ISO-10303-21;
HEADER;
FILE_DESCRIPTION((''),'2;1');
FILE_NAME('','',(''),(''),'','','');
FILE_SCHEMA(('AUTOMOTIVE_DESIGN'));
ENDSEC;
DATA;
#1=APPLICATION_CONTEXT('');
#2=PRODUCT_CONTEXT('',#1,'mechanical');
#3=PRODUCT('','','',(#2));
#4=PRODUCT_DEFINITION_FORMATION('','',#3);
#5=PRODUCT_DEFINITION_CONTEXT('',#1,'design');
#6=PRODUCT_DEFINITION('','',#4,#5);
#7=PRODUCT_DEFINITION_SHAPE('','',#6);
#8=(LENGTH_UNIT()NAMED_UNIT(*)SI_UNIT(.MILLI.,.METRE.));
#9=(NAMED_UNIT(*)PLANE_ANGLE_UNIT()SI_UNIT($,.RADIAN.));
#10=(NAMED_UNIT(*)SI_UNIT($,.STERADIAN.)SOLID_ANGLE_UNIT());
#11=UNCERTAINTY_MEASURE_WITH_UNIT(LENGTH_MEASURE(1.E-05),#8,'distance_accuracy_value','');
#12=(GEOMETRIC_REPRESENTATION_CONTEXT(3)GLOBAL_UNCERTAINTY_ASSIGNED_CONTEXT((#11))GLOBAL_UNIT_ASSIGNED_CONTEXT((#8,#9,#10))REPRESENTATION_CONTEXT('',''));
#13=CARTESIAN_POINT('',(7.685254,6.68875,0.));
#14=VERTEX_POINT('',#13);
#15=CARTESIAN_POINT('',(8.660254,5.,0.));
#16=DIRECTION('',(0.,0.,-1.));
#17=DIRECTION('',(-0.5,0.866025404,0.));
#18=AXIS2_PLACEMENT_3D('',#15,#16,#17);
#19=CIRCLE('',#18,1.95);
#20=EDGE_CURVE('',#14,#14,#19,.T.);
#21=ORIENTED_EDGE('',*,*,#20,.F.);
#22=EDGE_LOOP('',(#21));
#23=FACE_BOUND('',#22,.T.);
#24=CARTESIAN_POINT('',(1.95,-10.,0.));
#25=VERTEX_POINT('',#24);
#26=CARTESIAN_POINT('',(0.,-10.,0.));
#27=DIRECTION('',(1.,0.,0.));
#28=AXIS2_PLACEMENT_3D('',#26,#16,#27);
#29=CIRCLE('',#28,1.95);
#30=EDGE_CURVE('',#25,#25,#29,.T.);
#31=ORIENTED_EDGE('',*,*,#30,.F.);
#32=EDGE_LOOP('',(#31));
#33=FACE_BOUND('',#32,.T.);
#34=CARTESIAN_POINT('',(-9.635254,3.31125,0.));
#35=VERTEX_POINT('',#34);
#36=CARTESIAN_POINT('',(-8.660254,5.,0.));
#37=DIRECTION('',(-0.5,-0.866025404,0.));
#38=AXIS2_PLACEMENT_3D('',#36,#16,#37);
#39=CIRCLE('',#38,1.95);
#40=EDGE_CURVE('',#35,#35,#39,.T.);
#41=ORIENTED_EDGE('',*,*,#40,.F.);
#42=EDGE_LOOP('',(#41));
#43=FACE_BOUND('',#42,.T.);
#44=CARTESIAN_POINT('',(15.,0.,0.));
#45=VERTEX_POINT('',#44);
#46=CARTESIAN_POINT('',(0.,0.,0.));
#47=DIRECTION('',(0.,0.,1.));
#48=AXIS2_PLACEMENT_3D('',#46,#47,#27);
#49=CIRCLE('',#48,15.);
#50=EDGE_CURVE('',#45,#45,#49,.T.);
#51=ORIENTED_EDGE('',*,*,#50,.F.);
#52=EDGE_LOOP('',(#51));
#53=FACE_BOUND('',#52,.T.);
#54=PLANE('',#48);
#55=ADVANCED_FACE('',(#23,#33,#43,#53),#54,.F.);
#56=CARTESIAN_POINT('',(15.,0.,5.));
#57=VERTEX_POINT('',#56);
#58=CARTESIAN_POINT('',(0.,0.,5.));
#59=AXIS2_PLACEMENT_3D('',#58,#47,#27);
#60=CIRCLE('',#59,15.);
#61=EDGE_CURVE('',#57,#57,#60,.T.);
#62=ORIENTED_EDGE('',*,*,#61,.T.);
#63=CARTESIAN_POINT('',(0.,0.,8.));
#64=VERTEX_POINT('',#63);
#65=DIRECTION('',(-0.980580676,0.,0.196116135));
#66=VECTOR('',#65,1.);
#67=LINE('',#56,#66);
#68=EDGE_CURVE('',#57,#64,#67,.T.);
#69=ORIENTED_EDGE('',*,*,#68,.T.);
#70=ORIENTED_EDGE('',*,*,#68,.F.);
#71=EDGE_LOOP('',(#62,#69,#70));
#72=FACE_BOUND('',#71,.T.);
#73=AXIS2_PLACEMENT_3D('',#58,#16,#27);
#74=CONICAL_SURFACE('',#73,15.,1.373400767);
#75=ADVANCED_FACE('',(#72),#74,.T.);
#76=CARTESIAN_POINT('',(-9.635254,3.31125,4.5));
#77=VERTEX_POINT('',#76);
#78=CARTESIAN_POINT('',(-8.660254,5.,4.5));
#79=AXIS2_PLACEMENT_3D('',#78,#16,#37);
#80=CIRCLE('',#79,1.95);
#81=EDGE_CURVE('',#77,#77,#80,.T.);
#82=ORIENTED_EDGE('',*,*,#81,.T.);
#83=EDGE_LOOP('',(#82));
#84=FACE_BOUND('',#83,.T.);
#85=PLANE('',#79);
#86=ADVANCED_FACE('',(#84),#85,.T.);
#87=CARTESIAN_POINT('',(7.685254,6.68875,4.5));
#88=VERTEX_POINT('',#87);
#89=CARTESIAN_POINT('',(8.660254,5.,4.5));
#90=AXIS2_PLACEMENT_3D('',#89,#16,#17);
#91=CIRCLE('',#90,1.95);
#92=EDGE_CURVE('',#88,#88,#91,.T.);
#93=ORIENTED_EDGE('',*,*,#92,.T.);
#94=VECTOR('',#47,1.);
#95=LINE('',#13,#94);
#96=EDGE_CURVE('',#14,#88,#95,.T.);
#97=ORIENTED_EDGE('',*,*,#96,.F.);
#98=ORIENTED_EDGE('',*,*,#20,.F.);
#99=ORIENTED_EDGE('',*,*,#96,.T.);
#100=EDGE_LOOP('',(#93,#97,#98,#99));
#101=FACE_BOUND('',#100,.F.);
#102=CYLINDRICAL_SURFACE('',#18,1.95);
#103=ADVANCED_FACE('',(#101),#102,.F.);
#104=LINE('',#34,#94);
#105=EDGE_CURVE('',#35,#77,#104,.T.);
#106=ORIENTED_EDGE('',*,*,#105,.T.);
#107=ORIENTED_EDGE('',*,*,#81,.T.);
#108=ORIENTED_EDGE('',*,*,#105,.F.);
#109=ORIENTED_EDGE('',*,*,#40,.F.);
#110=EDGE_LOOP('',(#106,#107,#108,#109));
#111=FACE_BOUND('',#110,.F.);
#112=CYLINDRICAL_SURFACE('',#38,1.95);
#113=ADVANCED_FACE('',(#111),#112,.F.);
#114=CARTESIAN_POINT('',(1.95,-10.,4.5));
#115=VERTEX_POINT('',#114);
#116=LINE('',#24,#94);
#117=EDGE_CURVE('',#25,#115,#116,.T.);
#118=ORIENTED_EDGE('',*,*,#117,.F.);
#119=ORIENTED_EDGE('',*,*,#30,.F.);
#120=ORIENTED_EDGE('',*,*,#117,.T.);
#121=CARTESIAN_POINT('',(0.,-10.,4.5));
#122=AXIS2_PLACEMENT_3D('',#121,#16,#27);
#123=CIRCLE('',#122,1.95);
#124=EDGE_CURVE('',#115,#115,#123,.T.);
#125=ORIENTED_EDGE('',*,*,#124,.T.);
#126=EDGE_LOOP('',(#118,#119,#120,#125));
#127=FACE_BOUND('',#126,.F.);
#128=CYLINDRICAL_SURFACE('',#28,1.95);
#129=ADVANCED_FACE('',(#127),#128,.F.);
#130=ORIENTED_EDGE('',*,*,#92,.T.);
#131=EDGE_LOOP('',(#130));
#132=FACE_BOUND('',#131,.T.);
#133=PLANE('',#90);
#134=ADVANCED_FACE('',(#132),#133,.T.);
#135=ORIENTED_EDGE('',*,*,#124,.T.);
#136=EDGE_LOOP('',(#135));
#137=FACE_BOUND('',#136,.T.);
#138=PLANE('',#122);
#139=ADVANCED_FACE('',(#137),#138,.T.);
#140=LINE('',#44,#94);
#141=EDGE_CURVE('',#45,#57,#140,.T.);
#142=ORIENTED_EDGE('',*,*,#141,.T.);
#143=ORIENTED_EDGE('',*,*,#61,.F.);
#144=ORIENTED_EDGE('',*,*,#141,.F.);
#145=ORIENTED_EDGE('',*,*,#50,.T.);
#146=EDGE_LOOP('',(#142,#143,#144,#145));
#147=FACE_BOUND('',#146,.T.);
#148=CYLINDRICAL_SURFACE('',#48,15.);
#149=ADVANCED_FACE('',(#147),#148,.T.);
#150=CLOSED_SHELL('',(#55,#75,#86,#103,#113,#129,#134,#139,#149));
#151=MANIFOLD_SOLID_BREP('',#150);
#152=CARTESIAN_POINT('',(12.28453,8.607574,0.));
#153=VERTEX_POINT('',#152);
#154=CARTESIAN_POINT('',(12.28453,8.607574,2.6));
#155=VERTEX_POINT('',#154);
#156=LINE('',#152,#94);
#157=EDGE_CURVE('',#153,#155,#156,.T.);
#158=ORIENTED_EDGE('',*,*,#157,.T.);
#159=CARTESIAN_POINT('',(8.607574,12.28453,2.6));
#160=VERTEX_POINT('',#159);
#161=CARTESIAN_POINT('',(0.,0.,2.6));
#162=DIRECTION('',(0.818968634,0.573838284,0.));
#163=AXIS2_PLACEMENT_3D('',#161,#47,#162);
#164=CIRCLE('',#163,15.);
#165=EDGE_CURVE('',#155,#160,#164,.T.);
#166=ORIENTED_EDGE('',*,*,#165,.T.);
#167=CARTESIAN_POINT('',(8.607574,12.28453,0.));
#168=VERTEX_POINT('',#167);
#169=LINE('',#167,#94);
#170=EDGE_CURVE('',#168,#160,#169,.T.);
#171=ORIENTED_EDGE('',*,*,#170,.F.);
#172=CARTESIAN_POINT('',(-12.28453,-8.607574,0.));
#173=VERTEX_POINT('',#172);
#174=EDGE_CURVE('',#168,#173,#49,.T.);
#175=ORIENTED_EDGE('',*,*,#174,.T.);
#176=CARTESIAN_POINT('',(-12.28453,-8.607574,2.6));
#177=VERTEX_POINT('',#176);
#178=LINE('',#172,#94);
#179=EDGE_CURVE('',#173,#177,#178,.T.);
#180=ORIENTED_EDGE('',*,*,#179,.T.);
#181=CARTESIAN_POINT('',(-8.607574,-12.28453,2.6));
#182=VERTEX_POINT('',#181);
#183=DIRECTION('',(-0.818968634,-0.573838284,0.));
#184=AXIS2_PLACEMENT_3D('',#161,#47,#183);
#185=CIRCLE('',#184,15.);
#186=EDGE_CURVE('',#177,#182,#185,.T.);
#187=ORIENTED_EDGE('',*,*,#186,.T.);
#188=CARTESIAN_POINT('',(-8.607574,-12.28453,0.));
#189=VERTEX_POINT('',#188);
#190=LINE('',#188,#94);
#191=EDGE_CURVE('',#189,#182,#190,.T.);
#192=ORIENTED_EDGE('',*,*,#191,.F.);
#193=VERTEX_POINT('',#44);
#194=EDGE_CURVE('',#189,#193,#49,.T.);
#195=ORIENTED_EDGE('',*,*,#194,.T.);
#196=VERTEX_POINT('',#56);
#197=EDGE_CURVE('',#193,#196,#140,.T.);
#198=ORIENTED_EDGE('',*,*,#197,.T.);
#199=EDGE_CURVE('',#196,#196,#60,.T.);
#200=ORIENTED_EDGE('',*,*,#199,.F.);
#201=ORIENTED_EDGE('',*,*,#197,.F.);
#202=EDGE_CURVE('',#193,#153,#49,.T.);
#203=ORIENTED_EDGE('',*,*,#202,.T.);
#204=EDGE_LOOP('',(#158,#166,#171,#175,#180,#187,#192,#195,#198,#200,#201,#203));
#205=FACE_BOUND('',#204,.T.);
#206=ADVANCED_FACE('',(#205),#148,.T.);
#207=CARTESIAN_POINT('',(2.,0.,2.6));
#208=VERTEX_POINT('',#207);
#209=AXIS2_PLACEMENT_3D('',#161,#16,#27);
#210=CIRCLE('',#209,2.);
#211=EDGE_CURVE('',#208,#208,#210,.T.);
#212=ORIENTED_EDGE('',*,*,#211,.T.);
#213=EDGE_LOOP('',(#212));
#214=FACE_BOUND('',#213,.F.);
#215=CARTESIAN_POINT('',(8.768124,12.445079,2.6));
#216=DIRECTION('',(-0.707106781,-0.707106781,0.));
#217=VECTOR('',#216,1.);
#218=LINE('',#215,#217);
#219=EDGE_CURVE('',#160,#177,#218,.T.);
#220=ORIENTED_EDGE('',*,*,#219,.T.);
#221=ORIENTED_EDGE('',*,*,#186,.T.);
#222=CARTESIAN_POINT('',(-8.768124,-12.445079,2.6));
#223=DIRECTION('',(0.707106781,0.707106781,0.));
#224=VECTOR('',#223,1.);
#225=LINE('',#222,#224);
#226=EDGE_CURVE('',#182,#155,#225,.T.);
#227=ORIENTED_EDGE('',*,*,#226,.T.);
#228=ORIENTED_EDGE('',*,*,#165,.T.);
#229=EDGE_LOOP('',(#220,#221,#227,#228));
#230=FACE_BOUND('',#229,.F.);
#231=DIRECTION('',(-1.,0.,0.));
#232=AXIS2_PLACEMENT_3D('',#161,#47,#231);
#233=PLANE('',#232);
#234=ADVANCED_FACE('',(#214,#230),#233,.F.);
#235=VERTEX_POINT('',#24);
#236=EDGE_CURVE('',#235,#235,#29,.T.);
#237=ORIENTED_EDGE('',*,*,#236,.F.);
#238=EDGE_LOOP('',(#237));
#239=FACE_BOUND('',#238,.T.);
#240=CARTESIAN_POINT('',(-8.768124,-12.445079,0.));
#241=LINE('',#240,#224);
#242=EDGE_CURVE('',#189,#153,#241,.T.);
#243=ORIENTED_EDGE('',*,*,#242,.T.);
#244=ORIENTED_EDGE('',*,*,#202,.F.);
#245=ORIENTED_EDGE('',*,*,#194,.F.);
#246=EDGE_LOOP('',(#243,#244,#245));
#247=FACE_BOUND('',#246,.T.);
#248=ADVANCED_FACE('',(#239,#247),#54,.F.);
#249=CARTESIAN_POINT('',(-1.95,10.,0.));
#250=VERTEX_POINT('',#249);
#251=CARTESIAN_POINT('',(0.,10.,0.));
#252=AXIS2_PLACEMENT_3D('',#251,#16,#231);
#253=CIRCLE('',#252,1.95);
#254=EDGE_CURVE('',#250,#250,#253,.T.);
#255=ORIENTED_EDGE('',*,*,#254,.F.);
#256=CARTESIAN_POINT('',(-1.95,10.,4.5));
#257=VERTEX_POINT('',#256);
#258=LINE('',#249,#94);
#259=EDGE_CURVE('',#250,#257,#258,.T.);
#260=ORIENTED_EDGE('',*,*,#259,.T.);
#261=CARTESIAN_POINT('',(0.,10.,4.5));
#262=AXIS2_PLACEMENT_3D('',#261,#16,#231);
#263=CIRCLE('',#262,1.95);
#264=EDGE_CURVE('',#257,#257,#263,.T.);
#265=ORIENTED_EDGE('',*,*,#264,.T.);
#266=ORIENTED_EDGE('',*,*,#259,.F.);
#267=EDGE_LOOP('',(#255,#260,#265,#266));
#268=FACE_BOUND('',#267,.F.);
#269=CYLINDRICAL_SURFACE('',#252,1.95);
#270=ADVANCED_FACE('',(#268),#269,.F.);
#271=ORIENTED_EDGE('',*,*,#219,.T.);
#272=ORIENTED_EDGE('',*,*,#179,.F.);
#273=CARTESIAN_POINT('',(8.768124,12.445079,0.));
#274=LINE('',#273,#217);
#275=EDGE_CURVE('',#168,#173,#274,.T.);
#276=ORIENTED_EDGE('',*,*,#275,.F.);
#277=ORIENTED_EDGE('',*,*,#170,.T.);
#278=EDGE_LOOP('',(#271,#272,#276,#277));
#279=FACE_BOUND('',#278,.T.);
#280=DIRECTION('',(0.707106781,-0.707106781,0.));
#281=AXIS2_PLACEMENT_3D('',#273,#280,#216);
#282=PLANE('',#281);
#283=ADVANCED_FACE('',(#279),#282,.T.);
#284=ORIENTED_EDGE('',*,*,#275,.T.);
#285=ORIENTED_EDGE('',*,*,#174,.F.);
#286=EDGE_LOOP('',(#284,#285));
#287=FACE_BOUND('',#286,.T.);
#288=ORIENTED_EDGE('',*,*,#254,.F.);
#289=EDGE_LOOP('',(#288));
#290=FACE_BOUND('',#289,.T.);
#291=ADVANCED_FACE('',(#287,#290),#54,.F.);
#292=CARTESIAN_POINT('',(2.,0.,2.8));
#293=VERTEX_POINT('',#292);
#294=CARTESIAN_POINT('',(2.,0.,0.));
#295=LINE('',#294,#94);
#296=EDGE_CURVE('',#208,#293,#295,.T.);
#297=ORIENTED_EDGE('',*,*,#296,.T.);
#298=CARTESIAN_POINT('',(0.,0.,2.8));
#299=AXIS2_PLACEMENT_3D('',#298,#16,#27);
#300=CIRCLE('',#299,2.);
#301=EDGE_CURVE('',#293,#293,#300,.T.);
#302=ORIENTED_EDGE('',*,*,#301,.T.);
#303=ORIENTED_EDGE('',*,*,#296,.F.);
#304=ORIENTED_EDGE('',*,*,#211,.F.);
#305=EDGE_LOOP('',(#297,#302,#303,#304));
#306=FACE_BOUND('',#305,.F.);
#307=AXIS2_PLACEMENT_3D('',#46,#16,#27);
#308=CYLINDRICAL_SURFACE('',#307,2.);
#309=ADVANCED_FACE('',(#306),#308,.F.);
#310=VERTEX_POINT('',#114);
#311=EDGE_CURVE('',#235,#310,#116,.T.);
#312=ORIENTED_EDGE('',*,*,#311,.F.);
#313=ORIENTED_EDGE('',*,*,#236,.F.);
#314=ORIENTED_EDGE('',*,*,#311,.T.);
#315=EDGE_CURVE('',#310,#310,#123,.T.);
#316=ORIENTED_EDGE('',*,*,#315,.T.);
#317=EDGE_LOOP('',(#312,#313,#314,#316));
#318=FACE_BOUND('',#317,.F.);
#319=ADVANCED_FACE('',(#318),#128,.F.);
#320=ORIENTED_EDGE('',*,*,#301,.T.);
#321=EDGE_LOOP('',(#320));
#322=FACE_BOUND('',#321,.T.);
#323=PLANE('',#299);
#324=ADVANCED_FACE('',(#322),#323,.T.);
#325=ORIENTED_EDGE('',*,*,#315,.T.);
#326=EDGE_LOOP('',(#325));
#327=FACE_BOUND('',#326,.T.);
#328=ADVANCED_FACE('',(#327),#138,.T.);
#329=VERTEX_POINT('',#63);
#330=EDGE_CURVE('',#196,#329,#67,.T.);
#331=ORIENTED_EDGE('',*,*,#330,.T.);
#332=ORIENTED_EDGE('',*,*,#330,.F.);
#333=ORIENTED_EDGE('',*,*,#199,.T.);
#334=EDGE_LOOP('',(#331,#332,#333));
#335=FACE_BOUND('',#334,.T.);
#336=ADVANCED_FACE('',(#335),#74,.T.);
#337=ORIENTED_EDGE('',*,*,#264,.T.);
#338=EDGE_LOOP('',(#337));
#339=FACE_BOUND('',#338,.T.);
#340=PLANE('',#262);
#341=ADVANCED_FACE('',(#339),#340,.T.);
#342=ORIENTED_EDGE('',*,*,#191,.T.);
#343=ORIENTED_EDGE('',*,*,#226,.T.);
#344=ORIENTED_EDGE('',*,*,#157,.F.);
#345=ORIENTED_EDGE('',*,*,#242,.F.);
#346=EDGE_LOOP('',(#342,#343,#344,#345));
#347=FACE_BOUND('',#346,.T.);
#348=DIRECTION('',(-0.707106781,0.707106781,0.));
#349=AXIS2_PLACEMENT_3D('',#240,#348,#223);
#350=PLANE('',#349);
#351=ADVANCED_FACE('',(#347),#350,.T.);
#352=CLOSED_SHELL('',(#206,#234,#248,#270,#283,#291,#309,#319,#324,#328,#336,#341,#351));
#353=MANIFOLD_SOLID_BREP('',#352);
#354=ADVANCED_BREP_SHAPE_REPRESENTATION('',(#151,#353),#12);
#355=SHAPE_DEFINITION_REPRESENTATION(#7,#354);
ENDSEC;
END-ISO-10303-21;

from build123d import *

# Parameters (mm, degrees)
SKETCH001_R           = 1.95
POCKET_DEPTH          = 4.5
POLARPATTERN_COUNT    = 3
POLARPATTERN001_COUNT = 2
SKETCH002_R           = 2
POCKET001_DEPTH       = 2.8
POCKET002_DEPTH       = 2.6


with BuildPart() as pocket_body:
    # Sketch → Revolution (revolve)
    with BuildSketch(Plane.XZ):
        Polygon((0, 0), (15, 0), (15, 5), (0, 8), align=None)
    revolve(axis=Axis((0, 0, 0), (0, 0, 1)))

    # Sketch001 → Pocket (cut)
    with BuildSketch(Plane(origin=(0, 0, 0), x_dir=(1, 0, 0), z_dir=(0, 0, -1))):
        with Locations((0, 10)):
            Circle(SKETCH001_R)
    pocket = extrude(amount=-POCKET_DEPTH, mode=Mode.SUBTRACT)


with BuildPart() as polarpattern:
    # PolarPattern base: copy of Pocket body
    add(pocket_body.part)

    # PolarPattern: Pocket ×3 about axis
    polarpattern_axis = Axis((0, 0, 0), (0, 0, -1))
    for i in range(1, POLARPATTERN_COUNT):
        add(pocket.rotate(polarpattern_axis, i * 360 / POLARPATTERN_COUNT), mode=Mode.SUBTRACT)


with BuildPart() as pocket002:
    # PolarPattern001 base: copy of Pocket body
    add(pocket_body.part)

    # PolarPattern001: Pocket ×2 about axis
    polarpattern001_axis = Axis((0, 0, 0), (0, 0, -1))
    for i in range(1, POLARPATTERN001_COUNT):
        add(pocket.rotate(polarpattern001_axis, i * 360 / POLARPATTERN001_COUNT), mode=Mode.SUBTRACT)

    # Sketch002 → Pocket001 (cut)
    with BuildSketch(Plane(origin=(0, 0, 0), x_dir=(1, 0, 0), z_dir=(0, 0, -1))):
        Circle(SKETCH002_R)
    extrude(amount=-POCKET001_DEPTH, mode=Mode.SUBTRACT)

    # Sketch003 → Pocket002 (cut)
    with BuildSketch(Plane(origin=(0, 0, 0), x_dir=(1, 0, 0), z_dir=(0, 0, -1))):
        Polygon((-8.7681240867, 12.4450793489), (12.4450793489, -8.7681240867), (8.7681240867, -12.4450793489), (-12.4450793489, 8.7681240867), align=None)
    extrude(amount=-POCKET002_DEPTH, mode=Mode.SUBTRACT)


solid = Compound([polarpattern.part, pocket002.part])
